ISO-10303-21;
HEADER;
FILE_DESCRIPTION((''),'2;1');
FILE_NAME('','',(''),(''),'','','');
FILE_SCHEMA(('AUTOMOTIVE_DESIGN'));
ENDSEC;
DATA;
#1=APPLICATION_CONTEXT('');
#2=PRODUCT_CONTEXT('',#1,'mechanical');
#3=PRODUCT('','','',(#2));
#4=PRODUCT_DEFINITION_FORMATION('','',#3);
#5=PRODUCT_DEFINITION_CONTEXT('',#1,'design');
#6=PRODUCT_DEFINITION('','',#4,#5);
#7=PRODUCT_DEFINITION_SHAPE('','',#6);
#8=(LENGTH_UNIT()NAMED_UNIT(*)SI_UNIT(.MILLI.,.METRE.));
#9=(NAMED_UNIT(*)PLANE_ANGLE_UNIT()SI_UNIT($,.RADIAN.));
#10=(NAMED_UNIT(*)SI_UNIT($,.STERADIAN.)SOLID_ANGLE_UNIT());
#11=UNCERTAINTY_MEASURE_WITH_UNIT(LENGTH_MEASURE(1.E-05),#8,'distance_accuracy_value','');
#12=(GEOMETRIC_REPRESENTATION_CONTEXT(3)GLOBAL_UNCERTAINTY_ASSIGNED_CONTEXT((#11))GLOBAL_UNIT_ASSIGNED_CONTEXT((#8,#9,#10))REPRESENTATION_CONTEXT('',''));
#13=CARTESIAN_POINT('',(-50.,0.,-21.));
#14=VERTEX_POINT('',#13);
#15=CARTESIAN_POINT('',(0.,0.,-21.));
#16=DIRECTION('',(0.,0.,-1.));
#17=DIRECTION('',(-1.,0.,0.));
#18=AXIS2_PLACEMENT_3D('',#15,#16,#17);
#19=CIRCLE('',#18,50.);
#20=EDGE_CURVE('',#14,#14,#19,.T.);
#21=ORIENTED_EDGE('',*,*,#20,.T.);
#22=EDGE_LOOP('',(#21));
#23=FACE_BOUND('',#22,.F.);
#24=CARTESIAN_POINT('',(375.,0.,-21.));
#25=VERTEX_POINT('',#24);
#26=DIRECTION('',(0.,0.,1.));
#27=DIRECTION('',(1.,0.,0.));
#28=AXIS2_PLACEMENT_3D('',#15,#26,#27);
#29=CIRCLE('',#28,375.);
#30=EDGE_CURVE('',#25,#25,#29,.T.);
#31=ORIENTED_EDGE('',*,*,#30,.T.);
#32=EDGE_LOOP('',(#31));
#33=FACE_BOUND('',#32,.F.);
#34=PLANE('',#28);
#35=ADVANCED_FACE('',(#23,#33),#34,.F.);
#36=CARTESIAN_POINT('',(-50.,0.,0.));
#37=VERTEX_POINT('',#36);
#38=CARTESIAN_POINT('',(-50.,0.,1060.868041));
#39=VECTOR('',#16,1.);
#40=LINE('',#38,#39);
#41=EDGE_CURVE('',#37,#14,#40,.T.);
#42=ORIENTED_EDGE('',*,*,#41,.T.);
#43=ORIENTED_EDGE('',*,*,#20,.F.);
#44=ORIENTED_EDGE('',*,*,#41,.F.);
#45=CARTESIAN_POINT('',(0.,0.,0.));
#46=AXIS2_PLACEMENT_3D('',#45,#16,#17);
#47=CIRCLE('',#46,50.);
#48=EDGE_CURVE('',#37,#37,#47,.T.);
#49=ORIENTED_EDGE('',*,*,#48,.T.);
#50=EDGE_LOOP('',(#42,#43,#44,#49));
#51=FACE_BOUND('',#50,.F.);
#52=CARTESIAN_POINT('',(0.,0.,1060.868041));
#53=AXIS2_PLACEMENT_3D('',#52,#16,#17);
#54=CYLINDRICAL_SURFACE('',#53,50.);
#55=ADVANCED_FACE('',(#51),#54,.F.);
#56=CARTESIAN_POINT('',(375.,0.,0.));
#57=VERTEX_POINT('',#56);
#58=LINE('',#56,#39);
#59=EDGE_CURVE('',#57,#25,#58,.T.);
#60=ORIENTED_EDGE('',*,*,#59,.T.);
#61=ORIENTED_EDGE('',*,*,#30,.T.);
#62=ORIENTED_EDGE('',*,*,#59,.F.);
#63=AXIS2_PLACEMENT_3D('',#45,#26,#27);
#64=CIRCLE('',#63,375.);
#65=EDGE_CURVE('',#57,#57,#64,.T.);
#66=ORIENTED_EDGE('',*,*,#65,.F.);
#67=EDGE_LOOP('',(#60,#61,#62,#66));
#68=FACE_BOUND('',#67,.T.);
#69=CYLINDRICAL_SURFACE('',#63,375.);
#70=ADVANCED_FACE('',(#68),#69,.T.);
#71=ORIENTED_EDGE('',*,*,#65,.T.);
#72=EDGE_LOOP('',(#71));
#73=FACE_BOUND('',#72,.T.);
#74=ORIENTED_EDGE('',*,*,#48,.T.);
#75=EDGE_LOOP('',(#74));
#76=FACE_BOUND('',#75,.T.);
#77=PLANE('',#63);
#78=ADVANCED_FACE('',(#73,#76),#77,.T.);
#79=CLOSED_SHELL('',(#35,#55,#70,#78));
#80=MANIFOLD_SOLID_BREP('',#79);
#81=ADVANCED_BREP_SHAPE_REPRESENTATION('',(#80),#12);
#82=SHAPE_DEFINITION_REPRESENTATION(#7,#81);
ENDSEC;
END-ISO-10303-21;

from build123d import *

# Parameters (mm, degrees)
F0_R     = 375
F1_DEPTH = 21
F3_D     = 100


with BuildPart() as f1:
    # F0 (on Top) → F1 (new body)
    with BuildSketch(Plane.XY):
        Circle(F0_R)
    extrude(amount=-F1_DEPTH)

    # F3 (through all)
    with Locations(Plane.XY):
        with Locations((0, 0)):
            Hole(F3_D / 2)


solid = f1.part
